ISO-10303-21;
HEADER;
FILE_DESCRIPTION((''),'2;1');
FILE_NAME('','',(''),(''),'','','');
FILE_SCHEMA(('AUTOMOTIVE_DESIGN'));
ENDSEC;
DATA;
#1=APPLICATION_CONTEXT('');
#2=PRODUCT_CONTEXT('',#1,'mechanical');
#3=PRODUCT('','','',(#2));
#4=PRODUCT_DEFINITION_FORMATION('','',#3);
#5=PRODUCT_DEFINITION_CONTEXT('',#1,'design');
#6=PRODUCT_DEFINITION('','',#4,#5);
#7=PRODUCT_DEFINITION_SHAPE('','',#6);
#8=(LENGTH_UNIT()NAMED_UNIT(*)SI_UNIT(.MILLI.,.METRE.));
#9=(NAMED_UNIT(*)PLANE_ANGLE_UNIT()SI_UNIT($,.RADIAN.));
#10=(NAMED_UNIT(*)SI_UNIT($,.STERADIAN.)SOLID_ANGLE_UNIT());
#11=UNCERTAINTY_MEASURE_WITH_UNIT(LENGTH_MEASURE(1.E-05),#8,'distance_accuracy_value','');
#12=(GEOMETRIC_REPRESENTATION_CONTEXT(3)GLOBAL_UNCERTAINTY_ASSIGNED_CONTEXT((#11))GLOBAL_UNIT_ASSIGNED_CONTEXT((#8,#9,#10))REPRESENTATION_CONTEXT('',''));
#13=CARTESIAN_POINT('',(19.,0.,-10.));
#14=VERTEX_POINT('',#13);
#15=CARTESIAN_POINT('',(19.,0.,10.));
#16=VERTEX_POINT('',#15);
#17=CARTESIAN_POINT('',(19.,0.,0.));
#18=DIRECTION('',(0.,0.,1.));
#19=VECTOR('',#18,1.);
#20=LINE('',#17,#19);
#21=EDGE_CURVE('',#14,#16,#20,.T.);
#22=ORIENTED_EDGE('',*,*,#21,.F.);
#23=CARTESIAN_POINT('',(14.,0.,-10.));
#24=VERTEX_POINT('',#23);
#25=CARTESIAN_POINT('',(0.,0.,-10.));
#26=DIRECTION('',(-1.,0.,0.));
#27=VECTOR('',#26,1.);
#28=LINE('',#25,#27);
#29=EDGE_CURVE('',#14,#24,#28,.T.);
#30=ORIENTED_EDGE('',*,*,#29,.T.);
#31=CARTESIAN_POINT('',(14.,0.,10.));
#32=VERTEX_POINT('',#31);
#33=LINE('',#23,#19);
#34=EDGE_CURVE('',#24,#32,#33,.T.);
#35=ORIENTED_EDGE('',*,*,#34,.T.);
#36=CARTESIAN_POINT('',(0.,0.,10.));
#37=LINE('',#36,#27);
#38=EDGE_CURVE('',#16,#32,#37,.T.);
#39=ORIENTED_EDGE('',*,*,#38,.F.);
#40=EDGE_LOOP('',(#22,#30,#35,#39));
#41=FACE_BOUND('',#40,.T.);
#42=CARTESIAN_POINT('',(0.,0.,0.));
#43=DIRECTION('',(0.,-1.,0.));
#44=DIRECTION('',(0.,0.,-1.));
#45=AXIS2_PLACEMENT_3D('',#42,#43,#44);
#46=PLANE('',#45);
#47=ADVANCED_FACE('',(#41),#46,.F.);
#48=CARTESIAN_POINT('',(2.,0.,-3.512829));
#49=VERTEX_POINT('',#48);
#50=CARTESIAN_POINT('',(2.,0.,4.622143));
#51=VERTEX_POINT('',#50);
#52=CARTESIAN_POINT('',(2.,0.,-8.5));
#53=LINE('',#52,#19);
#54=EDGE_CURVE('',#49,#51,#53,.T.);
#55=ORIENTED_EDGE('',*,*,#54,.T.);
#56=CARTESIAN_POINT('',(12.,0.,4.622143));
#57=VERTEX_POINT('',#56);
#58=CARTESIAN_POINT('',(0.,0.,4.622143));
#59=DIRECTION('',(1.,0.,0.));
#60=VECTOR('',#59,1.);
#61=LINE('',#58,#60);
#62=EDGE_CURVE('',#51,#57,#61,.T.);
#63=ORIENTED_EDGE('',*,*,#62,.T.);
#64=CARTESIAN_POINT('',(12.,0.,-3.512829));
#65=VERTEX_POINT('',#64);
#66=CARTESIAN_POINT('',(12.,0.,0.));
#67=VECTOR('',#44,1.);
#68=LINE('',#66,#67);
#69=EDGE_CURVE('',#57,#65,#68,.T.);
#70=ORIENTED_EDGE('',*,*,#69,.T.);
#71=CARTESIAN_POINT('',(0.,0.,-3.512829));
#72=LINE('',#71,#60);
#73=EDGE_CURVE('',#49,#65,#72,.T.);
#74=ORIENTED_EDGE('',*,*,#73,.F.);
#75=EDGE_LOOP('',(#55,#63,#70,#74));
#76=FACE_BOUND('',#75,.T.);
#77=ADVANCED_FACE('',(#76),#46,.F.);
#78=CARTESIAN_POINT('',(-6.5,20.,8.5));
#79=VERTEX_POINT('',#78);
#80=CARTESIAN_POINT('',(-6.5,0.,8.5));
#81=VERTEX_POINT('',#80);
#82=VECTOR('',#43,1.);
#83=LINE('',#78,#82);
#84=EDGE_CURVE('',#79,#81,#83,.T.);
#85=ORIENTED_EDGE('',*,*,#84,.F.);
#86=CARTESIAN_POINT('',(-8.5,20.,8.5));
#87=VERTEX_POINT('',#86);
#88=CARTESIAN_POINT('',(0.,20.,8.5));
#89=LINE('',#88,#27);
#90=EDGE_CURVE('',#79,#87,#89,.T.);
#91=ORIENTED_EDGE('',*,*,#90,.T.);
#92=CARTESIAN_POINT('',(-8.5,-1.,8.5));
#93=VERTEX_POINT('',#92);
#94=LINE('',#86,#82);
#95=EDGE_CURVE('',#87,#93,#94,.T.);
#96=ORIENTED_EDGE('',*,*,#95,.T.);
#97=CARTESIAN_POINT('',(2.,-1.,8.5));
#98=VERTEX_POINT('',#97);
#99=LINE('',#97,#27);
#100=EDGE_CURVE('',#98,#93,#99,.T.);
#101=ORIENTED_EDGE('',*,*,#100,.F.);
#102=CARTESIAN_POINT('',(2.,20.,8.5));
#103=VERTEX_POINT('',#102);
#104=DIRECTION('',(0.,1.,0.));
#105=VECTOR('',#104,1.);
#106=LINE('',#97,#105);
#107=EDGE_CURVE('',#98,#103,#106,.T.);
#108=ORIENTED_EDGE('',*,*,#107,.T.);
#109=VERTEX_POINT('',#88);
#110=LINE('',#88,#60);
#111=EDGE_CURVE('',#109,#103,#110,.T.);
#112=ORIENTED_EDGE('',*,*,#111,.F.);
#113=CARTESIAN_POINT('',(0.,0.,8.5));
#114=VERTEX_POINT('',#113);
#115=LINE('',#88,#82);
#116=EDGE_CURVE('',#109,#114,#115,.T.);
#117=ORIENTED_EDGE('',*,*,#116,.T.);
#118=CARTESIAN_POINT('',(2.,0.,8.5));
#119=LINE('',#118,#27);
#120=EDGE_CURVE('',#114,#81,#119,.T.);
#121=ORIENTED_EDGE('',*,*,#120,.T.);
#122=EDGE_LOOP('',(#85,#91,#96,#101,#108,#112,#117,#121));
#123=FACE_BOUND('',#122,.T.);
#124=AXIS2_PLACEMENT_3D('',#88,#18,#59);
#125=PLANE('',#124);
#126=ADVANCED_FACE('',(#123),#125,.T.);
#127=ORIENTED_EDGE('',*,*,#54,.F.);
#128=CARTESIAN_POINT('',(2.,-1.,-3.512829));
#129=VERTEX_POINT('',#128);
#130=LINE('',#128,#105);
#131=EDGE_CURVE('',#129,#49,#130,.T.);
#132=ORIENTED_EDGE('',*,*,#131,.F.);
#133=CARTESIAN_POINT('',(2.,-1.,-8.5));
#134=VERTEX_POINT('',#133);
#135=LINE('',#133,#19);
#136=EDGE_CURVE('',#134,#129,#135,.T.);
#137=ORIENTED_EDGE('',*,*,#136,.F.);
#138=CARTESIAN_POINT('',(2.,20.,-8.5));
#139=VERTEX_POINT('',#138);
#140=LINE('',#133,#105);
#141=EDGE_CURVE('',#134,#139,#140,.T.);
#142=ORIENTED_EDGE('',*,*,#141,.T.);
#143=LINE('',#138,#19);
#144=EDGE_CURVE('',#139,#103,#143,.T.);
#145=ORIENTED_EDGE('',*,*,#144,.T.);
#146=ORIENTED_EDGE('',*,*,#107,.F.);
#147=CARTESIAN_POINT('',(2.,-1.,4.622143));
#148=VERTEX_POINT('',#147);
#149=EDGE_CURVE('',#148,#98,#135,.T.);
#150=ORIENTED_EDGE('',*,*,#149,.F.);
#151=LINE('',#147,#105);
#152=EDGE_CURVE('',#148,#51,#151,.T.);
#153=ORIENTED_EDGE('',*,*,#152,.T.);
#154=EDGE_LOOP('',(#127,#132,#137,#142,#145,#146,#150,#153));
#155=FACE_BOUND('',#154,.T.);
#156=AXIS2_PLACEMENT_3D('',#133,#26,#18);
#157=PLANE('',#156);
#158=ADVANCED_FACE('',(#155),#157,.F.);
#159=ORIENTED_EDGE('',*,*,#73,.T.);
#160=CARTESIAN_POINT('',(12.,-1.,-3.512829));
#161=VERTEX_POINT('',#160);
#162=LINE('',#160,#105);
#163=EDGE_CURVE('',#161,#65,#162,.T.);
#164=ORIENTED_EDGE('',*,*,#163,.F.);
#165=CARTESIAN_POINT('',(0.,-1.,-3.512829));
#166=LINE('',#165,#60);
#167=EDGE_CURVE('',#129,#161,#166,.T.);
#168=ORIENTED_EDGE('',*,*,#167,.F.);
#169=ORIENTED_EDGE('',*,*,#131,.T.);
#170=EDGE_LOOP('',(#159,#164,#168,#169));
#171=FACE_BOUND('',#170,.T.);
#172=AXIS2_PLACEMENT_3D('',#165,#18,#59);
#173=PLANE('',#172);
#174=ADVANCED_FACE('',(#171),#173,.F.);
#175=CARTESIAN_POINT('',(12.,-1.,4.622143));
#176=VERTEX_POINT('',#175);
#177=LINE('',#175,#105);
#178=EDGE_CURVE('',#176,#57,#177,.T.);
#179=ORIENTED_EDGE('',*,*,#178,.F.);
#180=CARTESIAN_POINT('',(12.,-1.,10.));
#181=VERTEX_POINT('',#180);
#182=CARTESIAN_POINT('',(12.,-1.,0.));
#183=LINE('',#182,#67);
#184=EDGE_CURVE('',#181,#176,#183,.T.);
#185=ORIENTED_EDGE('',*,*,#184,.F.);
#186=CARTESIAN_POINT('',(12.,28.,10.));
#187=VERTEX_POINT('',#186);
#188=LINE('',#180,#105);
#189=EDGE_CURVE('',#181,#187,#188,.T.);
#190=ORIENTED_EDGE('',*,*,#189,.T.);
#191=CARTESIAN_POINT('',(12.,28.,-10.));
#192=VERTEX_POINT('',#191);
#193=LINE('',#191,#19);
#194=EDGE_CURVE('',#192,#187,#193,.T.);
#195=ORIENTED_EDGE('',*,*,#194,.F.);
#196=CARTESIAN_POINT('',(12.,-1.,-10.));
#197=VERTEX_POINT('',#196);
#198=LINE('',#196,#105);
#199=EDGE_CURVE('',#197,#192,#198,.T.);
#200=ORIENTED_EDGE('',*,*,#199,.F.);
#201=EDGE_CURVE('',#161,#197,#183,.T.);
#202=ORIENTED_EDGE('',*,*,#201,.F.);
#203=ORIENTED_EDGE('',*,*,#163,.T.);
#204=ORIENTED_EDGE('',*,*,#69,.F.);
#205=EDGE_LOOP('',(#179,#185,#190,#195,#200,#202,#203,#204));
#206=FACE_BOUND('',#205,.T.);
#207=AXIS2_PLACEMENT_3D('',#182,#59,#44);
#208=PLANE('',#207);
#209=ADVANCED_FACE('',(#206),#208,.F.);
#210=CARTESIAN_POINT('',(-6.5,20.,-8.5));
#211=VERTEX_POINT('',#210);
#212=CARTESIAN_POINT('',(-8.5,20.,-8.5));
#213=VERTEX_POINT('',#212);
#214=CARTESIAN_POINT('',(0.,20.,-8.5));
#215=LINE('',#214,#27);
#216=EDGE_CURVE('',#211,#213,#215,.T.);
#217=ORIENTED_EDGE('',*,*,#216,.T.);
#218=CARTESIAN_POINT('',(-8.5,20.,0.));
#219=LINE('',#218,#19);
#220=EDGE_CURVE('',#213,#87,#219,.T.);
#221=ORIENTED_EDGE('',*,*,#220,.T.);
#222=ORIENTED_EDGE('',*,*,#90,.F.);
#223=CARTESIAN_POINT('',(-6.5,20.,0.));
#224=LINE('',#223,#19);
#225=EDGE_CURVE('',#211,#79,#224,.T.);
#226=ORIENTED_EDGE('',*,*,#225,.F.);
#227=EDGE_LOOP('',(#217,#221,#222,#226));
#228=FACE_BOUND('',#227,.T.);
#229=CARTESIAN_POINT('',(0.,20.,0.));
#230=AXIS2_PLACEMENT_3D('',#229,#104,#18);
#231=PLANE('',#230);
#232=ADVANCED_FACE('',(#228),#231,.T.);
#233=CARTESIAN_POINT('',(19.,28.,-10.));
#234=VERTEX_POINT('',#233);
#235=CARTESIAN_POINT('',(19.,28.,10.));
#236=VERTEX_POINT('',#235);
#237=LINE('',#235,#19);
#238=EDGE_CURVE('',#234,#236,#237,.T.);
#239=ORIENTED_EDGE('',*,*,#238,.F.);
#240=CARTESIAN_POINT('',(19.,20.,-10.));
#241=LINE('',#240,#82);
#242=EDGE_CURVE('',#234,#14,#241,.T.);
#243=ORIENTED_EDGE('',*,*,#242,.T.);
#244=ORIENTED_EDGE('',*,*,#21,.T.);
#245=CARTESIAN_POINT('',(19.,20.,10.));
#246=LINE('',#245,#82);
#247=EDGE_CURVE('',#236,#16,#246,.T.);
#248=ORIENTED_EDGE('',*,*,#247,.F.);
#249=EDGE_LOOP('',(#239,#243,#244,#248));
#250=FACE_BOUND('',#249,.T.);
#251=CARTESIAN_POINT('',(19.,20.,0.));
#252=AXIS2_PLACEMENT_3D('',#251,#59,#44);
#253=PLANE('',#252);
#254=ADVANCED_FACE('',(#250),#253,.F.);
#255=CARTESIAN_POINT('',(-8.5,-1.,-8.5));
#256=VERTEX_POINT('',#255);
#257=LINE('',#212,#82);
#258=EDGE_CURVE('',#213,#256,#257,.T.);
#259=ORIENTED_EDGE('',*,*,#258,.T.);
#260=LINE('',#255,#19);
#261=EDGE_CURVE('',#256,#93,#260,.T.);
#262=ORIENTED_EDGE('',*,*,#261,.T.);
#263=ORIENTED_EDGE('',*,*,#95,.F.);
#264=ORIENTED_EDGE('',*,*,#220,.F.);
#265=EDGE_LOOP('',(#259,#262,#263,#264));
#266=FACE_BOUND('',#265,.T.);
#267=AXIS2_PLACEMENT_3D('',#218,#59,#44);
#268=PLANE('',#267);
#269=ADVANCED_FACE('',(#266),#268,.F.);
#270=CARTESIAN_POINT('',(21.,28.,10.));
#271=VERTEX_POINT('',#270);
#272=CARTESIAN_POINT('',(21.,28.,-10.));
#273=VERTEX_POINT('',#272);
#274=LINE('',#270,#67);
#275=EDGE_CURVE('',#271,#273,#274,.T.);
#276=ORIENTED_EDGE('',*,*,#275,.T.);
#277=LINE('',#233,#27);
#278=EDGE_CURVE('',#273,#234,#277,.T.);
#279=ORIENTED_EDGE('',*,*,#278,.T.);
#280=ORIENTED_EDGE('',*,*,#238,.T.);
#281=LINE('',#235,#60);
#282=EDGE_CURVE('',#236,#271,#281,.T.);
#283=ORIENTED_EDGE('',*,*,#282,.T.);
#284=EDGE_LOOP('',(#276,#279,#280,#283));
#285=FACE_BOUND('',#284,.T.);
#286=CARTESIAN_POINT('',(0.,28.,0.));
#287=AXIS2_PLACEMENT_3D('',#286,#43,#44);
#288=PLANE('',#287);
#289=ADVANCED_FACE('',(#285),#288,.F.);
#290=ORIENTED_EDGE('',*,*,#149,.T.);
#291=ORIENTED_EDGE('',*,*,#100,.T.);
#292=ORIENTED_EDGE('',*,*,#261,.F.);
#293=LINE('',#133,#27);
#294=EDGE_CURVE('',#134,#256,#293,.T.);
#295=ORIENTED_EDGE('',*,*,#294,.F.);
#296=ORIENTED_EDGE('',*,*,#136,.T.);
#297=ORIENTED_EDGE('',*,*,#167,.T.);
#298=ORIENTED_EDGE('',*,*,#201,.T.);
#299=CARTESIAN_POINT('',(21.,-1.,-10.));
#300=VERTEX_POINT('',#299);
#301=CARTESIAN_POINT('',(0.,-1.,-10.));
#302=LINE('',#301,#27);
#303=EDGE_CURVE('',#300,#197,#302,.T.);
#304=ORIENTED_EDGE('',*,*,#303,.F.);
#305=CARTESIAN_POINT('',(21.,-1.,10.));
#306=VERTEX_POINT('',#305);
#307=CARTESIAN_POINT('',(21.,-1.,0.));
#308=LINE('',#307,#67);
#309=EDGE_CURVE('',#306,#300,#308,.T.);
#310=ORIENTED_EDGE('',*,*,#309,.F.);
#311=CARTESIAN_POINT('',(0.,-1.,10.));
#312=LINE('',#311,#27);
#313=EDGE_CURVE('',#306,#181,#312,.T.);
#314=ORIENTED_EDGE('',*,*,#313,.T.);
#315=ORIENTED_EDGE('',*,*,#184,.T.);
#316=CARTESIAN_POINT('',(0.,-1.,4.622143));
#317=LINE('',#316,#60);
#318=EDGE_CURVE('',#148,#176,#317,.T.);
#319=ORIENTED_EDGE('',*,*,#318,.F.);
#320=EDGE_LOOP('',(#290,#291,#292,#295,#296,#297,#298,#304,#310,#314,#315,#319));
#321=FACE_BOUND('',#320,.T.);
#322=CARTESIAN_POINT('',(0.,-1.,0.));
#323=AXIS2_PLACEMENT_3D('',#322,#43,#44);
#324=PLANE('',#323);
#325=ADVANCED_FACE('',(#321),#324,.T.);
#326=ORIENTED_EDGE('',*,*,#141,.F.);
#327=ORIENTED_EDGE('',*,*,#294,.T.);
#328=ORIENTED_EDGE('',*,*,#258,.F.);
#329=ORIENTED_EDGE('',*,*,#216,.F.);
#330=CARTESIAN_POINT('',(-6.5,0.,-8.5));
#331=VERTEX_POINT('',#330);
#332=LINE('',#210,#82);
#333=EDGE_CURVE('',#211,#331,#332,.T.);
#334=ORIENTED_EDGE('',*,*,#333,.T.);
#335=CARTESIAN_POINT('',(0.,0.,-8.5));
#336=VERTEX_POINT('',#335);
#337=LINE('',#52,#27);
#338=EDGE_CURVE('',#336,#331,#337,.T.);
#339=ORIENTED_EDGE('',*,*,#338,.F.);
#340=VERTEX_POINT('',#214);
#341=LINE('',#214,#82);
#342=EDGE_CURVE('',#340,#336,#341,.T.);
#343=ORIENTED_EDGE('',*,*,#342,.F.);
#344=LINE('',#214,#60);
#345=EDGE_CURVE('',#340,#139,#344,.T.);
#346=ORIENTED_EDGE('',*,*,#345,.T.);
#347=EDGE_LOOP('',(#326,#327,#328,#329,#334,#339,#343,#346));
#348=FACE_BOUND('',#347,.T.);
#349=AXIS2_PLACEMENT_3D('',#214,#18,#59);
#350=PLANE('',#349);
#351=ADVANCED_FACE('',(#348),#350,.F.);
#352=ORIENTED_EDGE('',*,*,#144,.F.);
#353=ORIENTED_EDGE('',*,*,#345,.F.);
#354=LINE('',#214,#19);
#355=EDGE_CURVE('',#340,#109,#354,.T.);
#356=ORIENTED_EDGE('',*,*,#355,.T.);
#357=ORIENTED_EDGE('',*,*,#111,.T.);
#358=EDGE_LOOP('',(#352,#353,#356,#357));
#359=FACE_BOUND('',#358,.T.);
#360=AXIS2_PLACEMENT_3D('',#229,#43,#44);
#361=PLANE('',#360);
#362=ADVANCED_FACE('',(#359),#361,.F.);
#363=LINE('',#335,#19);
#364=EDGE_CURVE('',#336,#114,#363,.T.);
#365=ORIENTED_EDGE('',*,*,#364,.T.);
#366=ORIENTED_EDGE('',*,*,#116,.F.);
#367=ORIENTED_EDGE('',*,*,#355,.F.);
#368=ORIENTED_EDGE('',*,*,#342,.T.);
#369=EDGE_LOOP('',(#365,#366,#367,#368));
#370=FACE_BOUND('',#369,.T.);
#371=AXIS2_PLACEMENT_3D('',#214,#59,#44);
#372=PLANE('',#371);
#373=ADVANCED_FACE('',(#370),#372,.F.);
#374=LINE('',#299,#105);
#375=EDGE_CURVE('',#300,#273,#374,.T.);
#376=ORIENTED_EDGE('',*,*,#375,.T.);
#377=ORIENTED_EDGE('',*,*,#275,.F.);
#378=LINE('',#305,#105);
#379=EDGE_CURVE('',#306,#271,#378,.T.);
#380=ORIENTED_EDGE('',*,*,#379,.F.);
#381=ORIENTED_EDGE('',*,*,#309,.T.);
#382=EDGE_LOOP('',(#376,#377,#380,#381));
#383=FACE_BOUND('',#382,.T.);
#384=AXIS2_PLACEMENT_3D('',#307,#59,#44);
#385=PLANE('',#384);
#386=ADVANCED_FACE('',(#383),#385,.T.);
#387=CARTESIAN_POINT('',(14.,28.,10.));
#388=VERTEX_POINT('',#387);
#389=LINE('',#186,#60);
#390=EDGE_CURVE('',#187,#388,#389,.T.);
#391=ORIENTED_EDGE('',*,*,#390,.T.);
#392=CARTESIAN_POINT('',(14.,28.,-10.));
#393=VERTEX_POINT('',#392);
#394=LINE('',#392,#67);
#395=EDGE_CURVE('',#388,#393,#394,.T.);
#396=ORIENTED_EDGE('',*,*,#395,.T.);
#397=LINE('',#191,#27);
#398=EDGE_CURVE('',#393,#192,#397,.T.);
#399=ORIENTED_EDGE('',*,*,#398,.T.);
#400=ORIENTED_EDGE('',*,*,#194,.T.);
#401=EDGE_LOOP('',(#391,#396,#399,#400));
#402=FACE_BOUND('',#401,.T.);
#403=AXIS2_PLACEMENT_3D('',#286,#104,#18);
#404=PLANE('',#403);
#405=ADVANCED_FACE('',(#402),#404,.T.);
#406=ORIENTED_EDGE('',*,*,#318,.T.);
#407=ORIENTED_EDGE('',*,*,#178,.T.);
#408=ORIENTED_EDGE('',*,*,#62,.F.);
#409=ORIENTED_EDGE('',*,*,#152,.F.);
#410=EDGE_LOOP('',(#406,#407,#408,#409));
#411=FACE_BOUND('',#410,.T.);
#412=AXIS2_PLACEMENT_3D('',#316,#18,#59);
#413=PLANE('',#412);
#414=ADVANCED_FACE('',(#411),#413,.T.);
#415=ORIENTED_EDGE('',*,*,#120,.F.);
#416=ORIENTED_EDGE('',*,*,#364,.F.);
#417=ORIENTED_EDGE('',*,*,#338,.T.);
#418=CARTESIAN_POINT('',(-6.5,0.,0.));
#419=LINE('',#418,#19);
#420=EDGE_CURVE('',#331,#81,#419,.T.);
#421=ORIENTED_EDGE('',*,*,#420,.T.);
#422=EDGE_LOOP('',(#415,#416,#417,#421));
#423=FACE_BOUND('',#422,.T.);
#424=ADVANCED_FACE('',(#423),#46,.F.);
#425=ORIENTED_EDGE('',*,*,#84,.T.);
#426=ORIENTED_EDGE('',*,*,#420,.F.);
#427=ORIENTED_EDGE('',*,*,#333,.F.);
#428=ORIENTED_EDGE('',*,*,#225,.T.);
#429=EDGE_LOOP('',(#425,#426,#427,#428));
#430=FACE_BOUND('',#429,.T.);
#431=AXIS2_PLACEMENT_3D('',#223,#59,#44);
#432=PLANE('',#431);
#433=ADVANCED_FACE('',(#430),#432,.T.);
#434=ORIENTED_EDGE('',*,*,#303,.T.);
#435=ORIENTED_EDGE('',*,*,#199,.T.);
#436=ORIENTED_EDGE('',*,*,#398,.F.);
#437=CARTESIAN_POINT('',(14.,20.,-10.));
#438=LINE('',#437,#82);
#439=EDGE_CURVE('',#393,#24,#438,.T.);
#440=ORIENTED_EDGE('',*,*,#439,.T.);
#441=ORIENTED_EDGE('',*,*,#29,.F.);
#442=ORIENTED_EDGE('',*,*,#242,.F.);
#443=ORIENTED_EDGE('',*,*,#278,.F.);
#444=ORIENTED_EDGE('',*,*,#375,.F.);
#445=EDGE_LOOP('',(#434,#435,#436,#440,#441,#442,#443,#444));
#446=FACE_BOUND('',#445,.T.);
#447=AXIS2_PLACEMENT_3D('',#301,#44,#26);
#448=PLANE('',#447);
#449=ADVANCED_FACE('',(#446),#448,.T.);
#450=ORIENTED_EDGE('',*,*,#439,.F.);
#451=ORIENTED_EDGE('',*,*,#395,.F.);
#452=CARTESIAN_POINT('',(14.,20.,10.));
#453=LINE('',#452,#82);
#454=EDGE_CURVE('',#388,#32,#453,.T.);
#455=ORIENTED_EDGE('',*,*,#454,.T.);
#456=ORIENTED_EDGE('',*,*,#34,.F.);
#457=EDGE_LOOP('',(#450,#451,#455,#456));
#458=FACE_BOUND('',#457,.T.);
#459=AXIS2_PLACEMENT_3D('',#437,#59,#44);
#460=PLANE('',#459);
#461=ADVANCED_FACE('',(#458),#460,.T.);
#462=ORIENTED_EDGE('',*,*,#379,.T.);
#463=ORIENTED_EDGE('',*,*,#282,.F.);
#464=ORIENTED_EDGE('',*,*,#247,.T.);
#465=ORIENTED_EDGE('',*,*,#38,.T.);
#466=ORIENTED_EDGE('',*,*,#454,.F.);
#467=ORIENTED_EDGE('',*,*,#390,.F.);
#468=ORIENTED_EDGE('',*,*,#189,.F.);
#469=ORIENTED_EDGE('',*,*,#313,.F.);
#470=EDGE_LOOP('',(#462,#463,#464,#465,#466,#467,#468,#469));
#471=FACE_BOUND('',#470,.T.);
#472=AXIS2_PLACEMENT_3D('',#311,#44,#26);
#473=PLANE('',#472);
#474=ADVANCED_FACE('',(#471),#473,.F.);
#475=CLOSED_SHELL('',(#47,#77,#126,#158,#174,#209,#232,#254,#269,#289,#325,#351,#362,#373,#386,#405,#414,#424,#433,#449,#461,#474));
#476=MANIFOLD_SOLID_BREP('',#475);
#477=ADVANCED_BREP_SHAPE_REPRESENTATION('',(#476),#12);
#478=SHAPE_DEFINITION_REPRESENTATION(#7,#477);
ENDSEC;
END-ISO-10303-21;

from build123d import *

# Parameters (mm, degrees)
SKETCH1_W           = 2
SKETCH1_H           = 8.5
SKETCH1_H_2         = 20
SKETCH1_H_3         = 17
BOSS_EXTRUDE1_DEPTH = 20
BOSS_EXTRUDE2_DEPTH = 1
SKETCH3_W           = 2
SKETCH3_H           = 20
BOSS_EXTRUDE3_DEPTH = 8


with BuildPart() as part:
    # Sketch1 → Boss-Extrude1 (new body)
    with BuildSketch(Plane(origin=(0, 0, 0), x_dir=(1, 0, 0), z_dir=(0, 1, 0))):
        with Locations((-7.5, 4.25)):
            Rectangle(SKETCH1_W, SKETCH1_H)
        with Locations((-7.5, -4.25)):
            Rectangle(SKETCH1_W, SKETCH1_H)
        with Locations((20, 0)):
            Rectangle(SKETCH1_W, SKETCH1_H_2)
        with Locations((1, 0)):
            Rectangle(SKETCH1_W, SKETCH1_H_3)
        Polygon((14, 10), (14, -10), (12, -10), (12, 0), (12, 10), align=None)
    extrude(amount=BOSS_EXTRUDE1_DEPTH)

    # Sketch2 → Boss-Extrude2 (add)
    with BuildSketch(Plane.XZ):
        Polygon((21, -10), (21, 10), (12, 10), (12, 4.622142766), (2, 4.622142766), (2, 8.5), (-8.5, 8.5), (-8.5, -8.5), (2, -8.5), (2, -3.512828502), (12, -3.512828502), (12, -10), align=None)
    extrude(amount=BOSS_EXTRUDE2_DEPTH)

    # Sketch3 → Boss-Extrude3 (add)
    with BuildSketch(Plane(origin=(0, 20, 0), x_dir=(1, 0, 0), z_dir=(0, 1, 0))):
        with Locations((13, 0)):
            Rectangle(SKETCH3_W, SKETCH3_H)
        with Locations((20, 0)):
            Rectangle(SKETCH3_W, SKETCH3_H)
    extrude(amount=BOSS_EXTRUDE3_DEPTH)


solid = part.part
